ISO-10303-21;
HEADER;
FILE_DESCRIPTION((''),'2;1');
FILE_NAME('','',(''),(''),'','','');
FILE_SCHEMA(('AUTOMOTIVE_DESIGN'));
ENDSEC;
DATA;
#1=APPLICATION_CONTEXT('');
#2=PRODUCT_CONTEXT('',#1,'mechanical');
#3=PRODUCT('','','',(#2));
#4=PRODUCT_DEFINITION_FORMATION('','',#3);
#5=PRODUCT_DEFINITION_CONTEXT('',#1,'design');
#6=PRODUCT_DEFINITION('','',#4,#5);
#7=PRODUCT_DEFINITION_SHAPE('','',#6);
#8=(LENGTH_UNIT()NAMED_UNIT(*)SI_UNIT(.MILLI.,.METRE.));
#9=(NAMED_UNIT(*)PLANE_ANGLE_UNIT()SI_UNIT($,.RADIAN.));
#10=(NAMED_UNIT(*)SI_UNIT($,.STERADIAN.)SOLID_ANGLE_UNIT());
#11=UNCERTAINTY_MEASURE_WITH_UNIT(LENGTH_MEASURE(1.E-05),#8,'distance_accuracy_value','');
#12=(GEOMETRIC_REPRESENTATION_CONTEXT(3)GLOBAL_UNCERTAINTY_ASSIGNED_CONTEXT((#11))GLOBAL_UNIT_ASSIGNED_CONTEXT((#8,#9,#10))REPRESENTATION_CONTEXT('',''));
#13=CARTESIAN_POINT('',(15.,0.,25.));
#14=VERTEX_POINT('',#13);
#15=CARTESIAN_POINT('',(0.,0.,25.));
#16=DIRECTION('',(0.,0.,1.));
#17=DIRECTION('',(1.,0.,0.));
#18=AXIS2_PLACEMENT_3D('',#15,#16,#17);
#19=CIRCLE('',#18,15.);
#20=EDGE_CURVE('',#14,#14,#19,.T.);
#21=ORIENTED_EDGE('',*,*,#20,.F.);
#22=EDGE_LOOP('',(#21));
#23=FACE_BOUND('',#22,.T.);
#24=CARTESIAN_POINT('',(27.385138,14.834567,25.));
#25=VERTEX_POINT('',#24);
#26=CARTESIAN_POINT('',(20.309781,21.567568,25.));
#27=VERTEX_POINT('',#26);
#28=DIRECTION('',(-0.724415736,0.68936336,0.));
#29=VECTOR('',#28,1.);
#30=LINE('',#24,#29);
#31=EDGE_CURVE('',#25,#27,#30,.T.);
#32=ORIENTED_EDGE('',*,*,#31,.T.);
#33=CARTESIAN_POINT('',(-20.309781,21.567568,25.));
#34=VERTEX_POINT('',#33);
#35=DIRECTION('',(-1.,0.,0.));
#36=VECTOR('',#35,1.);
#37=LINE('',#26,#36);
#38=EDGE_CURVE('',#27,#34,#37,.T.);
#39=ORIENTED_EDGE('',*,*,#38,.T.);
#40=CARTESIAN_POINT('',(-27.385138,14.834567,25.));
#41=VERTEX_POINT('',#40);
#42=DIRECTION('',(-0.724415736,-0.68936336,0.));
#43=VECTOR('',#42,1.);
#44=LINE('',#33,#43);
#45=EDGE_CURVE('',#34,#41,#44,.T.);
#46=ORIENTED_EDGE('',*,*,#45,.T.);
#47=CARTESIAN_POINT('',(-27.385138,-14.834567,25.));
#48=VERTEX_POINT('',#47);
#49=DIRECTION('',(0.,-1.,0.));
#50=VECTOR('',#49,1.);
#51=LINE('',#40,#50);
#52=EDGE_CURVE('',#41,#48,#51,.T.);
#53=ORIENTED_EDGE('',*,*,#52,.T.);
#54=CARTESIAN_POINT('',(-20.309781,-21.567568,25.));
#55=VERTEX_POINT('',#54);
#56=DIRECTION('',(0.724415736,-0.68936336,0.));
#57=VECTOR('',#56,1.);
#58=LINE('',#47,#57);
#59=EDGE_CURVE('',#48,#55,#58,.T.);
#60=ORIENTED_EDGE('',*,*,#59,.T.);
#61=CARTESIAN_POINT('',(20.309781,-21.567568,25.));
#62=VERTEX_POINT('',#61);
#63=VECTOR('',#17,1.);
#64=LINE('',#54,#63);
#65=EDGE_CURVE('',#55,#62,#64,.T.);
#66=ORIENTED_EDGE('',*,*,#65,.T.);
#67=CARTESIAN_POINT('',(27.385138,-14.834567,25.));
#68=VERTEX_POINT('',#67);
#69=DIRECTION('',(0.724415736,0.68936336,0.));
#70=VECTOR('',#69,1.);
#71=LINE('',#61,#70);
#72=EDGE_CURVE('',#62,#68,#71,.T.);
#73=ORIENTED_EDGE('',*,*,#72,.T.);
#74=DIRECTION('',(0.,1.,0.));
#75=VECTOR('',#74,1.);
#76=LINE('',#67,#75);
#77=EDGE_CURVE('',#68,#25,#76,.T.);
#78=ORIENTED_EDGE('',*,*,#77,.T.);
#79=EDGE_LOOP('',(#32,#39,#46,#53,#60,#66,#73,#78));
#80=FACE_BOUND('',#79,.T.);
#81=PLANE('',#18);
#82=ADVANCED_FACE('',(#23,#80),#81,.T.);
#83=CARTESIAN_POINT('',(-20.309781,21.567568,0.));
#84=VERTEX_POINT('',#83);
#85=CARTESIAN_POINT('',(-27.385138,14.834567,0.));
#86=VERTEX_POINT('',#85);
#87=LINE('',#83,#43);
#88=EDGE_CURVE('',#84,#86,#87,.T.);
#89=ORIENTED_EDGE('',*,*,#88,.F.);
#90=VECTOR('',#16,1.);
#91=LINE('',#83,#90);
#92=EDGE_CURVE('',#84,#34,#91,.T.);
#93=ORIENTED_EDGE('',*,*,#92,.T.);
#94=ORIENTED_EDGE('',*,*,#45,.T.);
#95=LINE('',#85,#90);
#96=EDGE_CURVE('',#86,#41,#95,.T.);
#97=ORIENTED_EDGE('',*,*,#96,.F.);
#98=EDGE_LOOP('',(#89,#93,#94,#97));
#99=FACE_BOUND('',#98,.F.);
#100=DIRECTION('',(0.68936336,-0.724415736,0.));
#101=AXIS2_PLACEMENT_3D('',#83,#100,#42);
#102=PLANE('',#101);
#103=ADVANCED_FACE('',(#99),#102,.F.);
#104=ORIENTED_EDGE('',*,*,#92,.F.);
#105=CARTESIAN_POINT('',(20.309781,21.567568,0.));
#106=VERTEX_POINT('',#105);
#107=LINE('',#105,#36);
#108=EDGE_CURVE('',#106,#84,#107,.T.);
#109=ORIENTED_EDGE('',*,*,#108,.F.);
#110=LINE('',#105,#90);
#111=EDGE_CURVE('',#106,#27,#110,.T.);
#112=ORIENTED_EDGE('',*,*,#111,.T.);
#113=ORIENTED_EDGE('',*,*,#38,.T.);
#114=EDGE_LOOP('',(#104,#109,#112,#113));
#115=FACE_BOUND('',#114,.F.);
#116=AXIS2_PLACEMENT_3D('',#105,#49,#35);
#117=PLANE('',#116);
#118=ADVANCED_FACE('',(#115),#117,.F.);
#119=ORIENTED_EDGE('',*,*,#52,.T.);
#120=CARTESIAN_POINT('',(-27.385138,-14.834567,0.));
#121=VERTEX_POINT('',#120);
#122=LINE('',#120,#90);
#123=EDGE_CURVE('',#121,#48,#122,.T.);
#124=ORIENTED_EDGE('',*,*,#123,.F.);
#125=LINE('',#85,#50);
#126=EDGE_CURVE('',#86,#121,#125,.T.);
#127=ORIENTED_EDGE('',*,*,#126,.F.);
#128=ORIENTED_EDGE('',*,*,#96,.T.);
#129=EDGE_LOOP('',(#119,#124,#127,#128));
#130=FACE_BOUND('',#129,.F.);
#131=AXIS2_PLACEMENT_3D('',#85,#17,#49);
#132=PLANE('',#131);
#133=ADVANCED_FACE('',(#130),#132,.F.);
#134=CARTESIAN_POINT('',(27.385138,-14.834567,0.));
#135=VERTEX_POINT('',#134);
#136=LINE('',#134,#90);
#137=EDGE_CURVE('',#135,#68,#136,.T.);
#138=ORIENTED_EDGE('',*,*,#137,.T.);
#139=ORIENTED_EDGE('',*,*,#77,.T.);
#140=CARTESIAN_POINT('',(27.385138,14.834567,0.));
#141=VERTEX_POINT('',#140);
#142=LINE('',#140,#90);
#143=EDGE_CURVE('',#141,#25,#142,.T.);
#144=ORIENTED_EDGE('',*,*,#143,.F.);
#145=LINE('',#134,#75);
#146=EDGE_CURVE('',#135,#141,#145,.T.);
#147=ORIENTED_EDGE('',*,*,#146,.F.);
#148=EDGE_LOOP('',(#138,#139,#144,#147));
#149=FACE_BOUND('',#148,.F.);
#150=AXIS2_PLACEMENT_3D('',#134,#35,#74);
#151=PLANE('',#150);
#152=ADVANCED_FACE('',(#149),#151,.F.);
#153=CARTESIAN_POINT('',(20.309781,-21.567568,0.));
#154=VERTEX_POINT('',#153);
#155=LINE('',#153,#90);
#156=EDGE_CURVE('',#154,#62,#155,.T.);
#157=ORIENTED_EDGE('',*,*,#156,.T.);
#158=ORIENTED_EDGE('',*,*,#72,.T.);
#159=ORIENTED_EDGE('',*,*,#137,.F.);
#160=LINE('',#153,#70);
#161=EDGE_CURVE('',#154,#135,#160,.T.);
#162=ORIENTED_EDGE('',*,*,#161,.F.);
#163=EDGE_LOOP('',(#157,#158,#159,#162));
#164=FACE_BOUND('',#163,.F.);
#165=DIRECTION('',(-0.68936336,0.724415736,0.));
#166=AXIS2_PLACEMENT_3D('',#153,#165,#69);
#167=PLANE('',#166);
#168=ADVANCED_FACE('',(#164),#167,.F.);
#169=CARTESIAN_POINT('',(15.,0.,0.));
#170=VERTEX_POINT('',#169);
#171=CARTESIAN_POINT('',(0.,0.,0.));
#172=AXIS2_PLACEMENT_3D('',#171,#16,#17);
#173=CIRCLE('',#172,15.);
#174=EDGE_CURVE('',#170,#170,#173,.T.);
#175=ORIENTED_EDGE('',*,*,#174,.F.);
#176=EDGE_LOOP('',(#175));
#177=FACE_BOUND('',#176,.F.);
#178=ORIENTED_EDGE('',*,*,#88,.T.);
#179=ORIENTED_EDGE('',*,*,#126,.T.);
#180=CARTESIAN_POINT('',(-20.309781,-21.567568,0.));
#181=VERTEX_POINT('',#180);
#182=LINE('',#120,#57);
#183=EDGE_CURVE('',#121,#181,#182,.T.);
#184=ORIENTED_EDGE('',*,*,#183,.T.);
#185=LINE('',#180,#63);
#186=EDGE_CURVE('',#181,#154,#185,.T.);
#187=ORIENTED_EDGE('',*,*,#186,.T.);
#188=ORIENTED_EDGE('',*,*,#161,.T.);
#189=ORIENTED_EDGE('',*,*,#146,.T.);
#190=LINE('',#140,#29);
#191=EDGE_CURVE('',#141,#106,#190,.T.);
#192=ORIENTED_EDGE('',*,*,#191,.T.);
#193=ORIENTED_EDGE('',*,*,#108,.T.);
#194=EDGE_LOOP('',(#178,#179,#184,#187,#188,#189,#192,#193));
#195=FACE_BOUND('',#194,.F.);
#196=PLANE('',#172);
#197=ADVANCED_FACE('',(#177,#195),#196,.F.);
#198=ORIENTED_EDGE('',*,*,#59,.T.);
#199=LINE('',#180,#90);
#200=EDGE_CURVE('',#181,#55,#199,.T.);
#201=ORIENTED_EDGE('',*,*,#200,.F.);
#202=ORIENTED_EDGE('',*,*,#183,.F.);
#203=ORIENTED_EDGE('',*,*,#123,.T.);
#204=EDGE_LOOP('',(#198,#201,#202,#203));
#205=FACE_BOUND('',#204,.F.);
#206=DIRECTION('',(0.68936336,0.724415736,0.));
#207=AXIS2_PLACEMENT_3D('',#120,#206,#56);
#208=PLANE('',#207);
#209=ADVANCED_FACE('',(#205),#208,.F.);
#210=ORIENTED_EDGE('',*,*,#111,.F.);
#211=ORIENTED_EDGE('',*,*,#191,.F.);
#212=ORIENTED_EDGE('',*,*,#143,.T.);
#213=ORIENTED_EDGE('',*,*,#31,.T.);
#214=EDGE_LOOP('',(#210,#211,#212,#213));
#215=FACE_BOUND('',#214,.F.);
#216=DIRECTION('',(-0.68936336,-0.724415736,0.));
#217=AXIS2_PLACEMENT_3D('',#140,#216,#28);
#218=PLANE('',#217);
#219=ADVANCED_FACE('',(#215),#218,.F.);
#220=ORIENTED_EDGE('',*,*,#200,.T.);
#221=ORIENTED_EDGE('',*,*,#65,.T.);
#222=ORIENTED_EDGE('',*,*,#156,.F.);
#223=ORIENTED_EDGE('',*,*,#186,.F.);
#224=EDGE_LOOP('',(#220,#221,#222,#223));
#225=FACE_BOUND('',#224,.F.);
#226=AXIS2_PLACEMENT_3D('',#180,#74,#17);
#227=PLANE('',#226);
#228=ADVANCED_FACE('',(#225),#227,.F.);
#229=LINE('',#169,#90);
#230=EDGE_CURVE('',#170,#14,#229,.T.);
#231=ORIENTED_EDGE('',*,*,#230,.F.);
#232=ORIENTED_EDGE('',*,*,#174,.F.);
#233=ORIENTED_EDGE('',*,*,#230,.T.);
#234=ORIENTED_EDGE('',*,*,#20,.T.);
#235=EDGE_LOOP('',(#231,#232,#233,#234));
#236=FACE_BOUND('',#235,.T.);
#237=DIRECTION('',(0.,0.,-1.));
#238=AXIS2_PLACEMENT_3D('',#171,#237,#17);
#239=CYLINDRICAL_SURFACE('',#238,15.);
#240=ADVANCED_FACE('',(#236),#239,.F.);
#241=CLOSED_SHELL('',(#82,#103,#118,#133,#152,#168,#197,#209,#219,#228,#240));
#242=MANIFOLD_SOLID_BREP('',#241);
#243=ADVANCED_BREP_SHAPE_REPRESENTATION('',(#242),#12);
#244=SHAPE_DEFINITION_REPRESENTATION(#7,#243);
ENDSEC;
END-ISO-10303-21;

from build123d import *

# Parameters (mm, degrees)
F0_R     = 15
F1_DEPTH = 25


with BuildPart() as f1:
    # F0 (on Top) → F1 (new body)
    with BuildSketch(Plane.XY):
        Polygon((-20.309781, -21.567568), (20.309781, -21.567568), (27.385138, -14.834567), (27.385138, 14.834567), (20.309781, 21.567568), (-20.309781, 21.567568), (-27.385138, 14.834567), (-27.385138, -14.834567), align=None)
        Circle(F0_R, mode=Mode.SUBTRACT)
    extrude(amount=F1_DEPTH)


solid = f1.part
